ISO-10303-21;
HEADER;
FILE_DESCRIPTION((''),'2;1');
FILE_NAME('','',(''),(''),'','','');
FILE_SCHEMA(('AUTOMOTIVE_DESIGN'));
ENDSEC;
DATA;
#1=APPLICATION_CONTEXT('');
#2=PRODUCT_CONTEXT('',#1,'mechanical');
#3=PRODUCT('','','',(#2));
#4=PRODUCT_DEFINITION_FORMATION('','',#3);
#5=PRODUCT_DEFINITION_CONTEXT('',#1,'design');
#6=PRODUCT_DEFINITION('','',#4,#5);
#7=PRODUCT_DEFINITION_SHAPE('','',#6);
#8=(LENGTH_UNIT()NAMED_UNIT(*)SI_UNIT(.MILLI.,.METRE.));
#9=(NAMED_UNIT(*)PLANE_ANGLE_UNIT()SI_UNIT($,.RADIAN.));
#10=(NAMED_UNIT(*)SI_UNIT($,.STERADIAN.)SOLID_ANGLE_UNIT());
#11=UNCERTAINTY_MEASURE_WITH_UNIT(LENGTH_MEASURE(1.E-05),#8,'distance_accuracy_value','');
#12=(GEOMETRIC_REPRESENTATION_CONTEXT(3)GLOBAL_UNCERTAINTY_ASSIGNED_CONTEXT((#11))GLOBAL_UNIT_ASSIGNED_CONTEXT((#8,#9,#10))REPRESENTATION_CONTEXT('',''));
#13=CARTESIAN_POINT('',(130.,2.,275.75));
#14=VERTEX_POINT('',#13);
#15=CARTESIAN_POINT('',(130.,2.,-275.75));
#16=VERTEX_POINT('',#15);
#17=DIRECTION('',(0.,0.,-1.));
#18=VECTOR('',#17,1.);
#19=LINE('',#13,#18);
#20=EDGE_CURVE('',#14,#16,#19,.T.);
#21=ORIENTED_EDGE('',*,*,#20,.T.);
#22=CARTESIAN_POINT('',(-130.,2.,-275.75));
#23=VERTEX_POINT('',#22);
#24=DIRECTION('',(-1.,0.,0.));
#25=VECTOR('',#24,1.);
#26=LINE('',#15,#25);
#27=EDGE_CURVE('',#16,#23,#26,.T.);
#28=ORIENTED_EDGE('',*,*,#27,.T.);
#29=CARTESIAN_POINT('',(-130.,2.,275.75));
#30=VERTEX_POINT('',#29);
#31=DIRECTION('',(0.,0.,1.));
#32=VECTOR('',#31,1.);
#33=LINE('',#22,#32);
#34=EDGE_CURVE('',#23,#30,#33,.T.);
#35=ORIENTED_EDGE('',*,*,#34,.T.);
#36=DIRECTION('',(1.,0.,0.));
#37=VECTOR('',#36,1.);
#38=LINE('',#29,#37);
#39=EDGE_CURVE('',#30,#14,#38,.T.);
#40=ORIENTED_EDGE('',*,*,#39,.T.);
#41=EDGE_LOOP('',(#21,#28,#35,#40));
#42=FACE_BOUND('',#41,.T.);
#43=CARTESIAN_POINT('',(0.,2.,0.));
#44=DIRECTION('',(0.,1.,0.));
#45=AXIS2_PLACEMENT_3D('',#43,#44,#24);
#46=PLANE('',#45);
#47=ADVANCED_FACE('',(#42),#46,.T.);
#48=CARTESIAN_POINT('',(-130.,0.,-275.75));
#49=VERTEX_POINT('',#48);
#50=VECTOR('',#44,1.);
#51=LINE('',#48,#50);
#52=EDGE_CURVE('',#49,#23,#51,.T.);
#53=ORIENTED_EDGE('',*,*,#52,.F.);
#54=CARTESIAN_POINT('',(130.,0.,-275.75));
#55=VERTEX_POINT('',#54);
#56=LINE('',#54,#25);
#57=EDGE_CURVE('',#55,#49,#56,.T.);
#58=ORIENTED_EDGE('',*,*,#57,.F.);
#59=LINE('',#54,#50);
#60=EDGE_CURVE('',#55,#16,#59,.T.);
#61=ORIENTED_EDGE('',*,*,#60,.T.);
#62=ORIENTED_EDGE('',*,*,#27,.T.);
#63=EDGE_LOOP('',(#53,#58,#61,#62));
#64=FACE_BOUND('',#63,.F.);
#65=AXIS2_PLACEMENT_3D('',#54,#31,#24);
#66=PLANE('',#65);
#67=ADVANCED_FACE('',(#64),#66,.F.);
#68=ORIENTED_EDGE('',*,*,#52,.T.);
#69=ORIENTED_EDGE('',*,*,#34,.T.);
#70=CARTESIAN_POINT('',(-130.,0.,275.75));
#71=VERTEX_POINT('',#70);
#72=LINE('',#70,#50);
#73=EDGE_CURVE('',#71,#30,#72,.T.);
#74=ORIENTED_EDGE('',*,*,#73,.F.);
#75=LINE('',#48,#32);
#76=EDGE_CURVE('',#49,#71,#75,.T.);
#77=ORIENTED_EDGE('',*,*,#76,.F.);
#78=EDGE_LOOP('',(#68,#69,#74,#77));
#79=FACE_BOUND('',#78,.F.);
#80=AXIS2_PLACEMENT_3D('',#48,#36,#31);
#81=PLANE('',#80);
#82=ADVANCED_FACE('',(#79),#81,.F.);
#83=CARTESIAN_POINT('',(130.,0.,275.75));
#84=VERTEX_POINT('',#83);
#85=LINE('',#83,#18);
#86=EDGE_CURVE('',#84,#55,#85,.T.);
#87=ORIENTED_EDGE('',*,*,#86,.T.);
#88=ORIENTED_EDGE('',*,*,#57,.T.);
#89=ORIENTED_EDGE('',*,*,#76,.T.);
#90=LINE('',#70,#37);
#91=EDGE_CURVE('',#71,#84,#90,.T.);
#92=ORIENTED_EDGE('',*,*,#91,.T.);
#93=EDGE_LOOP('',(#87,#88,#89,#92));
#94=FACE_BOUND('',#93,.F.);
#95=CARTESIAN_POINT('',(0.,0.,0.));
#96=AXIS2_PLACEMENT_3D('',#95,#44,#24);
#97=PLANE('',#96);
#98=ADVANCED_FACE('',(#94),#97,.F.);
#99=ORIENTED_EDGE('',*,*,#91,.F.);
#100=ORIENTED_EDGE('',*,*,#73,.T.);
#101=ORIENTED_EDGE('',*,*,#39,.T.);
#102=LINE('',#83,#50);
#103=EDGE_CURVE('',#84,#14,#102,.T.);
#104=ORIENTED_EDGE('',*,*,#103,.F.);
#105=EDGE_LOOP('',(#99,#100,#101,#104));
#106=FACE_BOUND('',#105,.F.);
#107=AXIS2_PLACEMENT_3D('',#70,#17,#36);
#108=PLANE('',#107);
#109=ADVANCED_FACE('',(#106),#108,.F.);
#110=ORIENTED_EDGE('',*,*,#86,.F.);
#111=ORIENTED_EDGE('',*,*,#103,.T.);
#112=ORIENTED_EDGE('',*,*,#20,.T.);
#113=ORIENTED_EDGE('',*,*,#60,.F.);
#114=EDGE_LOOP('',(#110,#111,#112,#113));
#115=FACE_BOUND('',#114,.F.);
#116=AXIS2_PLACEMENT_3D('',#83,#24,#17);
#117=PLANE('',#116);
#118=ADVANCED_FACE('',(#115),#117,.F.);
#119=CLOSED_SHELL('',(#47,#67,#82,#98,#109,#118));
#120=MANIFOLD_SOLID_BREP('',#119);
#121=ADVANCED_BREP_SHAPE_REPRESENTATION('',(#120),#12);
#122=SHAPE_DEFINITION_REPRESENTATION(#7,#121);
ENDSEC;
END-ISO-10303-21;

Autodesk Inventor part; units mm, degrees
ref_plane "YZ Plane" through (0, 0, 0) normal (1, 0, 0) x (0, 1, 0)
ref_plane "XZ Plane" through (0, 0, 0) normal (0, 1, 0) x (-1, 0, 0)
ref_plane "XY Plane" through (0, 0, 0) normal (0, 0, 1) x (1, 0, 0)
sketch "Sketch1" plane through (0, 0, 0) normal (0, 1, 0) x (-1, 0, 0)
  line L0 (130, 275.75) -> (-130, 275.75)
  line L1 (-130, 275.75) -> (-130, -275.75)
  line L2 (-130, -275.75) -> (130, -275.75)
  line L3 (130, -275.75) -> (130, 275.75)
  line L4 (130, 275.75) -> (-130, -275.75) construction
  line L5 (-130, 275.75) -> (130, -275.75) construction
  point P0 (0, 0)
  dimension "d0" = 551.5
  dimension "d1" = 260
extrude "Plate1" add sketch "Sketch1" along normal blind 2
equation "\"d2\" = Thickness"
equation "\"BendRadius\" = Thickness"
equation "\"BendReliefWidth\" = Thickness"
equation "\"BendReliefDepth\" = 0.5 * Thickness"
equation "\"CornerReliefSize\" = 4 * Thickness"
equation "\"MinimumRemnant\" = 2 * Thickness"
equation "\"TransitionRadius\" = BendRadius"
equation "\"JacobiRadiusSize\" = BendRadius"
equation "\"GapSize\" = Thickness"
equation "\"Thickness\" = 2"
properties part number "final"
